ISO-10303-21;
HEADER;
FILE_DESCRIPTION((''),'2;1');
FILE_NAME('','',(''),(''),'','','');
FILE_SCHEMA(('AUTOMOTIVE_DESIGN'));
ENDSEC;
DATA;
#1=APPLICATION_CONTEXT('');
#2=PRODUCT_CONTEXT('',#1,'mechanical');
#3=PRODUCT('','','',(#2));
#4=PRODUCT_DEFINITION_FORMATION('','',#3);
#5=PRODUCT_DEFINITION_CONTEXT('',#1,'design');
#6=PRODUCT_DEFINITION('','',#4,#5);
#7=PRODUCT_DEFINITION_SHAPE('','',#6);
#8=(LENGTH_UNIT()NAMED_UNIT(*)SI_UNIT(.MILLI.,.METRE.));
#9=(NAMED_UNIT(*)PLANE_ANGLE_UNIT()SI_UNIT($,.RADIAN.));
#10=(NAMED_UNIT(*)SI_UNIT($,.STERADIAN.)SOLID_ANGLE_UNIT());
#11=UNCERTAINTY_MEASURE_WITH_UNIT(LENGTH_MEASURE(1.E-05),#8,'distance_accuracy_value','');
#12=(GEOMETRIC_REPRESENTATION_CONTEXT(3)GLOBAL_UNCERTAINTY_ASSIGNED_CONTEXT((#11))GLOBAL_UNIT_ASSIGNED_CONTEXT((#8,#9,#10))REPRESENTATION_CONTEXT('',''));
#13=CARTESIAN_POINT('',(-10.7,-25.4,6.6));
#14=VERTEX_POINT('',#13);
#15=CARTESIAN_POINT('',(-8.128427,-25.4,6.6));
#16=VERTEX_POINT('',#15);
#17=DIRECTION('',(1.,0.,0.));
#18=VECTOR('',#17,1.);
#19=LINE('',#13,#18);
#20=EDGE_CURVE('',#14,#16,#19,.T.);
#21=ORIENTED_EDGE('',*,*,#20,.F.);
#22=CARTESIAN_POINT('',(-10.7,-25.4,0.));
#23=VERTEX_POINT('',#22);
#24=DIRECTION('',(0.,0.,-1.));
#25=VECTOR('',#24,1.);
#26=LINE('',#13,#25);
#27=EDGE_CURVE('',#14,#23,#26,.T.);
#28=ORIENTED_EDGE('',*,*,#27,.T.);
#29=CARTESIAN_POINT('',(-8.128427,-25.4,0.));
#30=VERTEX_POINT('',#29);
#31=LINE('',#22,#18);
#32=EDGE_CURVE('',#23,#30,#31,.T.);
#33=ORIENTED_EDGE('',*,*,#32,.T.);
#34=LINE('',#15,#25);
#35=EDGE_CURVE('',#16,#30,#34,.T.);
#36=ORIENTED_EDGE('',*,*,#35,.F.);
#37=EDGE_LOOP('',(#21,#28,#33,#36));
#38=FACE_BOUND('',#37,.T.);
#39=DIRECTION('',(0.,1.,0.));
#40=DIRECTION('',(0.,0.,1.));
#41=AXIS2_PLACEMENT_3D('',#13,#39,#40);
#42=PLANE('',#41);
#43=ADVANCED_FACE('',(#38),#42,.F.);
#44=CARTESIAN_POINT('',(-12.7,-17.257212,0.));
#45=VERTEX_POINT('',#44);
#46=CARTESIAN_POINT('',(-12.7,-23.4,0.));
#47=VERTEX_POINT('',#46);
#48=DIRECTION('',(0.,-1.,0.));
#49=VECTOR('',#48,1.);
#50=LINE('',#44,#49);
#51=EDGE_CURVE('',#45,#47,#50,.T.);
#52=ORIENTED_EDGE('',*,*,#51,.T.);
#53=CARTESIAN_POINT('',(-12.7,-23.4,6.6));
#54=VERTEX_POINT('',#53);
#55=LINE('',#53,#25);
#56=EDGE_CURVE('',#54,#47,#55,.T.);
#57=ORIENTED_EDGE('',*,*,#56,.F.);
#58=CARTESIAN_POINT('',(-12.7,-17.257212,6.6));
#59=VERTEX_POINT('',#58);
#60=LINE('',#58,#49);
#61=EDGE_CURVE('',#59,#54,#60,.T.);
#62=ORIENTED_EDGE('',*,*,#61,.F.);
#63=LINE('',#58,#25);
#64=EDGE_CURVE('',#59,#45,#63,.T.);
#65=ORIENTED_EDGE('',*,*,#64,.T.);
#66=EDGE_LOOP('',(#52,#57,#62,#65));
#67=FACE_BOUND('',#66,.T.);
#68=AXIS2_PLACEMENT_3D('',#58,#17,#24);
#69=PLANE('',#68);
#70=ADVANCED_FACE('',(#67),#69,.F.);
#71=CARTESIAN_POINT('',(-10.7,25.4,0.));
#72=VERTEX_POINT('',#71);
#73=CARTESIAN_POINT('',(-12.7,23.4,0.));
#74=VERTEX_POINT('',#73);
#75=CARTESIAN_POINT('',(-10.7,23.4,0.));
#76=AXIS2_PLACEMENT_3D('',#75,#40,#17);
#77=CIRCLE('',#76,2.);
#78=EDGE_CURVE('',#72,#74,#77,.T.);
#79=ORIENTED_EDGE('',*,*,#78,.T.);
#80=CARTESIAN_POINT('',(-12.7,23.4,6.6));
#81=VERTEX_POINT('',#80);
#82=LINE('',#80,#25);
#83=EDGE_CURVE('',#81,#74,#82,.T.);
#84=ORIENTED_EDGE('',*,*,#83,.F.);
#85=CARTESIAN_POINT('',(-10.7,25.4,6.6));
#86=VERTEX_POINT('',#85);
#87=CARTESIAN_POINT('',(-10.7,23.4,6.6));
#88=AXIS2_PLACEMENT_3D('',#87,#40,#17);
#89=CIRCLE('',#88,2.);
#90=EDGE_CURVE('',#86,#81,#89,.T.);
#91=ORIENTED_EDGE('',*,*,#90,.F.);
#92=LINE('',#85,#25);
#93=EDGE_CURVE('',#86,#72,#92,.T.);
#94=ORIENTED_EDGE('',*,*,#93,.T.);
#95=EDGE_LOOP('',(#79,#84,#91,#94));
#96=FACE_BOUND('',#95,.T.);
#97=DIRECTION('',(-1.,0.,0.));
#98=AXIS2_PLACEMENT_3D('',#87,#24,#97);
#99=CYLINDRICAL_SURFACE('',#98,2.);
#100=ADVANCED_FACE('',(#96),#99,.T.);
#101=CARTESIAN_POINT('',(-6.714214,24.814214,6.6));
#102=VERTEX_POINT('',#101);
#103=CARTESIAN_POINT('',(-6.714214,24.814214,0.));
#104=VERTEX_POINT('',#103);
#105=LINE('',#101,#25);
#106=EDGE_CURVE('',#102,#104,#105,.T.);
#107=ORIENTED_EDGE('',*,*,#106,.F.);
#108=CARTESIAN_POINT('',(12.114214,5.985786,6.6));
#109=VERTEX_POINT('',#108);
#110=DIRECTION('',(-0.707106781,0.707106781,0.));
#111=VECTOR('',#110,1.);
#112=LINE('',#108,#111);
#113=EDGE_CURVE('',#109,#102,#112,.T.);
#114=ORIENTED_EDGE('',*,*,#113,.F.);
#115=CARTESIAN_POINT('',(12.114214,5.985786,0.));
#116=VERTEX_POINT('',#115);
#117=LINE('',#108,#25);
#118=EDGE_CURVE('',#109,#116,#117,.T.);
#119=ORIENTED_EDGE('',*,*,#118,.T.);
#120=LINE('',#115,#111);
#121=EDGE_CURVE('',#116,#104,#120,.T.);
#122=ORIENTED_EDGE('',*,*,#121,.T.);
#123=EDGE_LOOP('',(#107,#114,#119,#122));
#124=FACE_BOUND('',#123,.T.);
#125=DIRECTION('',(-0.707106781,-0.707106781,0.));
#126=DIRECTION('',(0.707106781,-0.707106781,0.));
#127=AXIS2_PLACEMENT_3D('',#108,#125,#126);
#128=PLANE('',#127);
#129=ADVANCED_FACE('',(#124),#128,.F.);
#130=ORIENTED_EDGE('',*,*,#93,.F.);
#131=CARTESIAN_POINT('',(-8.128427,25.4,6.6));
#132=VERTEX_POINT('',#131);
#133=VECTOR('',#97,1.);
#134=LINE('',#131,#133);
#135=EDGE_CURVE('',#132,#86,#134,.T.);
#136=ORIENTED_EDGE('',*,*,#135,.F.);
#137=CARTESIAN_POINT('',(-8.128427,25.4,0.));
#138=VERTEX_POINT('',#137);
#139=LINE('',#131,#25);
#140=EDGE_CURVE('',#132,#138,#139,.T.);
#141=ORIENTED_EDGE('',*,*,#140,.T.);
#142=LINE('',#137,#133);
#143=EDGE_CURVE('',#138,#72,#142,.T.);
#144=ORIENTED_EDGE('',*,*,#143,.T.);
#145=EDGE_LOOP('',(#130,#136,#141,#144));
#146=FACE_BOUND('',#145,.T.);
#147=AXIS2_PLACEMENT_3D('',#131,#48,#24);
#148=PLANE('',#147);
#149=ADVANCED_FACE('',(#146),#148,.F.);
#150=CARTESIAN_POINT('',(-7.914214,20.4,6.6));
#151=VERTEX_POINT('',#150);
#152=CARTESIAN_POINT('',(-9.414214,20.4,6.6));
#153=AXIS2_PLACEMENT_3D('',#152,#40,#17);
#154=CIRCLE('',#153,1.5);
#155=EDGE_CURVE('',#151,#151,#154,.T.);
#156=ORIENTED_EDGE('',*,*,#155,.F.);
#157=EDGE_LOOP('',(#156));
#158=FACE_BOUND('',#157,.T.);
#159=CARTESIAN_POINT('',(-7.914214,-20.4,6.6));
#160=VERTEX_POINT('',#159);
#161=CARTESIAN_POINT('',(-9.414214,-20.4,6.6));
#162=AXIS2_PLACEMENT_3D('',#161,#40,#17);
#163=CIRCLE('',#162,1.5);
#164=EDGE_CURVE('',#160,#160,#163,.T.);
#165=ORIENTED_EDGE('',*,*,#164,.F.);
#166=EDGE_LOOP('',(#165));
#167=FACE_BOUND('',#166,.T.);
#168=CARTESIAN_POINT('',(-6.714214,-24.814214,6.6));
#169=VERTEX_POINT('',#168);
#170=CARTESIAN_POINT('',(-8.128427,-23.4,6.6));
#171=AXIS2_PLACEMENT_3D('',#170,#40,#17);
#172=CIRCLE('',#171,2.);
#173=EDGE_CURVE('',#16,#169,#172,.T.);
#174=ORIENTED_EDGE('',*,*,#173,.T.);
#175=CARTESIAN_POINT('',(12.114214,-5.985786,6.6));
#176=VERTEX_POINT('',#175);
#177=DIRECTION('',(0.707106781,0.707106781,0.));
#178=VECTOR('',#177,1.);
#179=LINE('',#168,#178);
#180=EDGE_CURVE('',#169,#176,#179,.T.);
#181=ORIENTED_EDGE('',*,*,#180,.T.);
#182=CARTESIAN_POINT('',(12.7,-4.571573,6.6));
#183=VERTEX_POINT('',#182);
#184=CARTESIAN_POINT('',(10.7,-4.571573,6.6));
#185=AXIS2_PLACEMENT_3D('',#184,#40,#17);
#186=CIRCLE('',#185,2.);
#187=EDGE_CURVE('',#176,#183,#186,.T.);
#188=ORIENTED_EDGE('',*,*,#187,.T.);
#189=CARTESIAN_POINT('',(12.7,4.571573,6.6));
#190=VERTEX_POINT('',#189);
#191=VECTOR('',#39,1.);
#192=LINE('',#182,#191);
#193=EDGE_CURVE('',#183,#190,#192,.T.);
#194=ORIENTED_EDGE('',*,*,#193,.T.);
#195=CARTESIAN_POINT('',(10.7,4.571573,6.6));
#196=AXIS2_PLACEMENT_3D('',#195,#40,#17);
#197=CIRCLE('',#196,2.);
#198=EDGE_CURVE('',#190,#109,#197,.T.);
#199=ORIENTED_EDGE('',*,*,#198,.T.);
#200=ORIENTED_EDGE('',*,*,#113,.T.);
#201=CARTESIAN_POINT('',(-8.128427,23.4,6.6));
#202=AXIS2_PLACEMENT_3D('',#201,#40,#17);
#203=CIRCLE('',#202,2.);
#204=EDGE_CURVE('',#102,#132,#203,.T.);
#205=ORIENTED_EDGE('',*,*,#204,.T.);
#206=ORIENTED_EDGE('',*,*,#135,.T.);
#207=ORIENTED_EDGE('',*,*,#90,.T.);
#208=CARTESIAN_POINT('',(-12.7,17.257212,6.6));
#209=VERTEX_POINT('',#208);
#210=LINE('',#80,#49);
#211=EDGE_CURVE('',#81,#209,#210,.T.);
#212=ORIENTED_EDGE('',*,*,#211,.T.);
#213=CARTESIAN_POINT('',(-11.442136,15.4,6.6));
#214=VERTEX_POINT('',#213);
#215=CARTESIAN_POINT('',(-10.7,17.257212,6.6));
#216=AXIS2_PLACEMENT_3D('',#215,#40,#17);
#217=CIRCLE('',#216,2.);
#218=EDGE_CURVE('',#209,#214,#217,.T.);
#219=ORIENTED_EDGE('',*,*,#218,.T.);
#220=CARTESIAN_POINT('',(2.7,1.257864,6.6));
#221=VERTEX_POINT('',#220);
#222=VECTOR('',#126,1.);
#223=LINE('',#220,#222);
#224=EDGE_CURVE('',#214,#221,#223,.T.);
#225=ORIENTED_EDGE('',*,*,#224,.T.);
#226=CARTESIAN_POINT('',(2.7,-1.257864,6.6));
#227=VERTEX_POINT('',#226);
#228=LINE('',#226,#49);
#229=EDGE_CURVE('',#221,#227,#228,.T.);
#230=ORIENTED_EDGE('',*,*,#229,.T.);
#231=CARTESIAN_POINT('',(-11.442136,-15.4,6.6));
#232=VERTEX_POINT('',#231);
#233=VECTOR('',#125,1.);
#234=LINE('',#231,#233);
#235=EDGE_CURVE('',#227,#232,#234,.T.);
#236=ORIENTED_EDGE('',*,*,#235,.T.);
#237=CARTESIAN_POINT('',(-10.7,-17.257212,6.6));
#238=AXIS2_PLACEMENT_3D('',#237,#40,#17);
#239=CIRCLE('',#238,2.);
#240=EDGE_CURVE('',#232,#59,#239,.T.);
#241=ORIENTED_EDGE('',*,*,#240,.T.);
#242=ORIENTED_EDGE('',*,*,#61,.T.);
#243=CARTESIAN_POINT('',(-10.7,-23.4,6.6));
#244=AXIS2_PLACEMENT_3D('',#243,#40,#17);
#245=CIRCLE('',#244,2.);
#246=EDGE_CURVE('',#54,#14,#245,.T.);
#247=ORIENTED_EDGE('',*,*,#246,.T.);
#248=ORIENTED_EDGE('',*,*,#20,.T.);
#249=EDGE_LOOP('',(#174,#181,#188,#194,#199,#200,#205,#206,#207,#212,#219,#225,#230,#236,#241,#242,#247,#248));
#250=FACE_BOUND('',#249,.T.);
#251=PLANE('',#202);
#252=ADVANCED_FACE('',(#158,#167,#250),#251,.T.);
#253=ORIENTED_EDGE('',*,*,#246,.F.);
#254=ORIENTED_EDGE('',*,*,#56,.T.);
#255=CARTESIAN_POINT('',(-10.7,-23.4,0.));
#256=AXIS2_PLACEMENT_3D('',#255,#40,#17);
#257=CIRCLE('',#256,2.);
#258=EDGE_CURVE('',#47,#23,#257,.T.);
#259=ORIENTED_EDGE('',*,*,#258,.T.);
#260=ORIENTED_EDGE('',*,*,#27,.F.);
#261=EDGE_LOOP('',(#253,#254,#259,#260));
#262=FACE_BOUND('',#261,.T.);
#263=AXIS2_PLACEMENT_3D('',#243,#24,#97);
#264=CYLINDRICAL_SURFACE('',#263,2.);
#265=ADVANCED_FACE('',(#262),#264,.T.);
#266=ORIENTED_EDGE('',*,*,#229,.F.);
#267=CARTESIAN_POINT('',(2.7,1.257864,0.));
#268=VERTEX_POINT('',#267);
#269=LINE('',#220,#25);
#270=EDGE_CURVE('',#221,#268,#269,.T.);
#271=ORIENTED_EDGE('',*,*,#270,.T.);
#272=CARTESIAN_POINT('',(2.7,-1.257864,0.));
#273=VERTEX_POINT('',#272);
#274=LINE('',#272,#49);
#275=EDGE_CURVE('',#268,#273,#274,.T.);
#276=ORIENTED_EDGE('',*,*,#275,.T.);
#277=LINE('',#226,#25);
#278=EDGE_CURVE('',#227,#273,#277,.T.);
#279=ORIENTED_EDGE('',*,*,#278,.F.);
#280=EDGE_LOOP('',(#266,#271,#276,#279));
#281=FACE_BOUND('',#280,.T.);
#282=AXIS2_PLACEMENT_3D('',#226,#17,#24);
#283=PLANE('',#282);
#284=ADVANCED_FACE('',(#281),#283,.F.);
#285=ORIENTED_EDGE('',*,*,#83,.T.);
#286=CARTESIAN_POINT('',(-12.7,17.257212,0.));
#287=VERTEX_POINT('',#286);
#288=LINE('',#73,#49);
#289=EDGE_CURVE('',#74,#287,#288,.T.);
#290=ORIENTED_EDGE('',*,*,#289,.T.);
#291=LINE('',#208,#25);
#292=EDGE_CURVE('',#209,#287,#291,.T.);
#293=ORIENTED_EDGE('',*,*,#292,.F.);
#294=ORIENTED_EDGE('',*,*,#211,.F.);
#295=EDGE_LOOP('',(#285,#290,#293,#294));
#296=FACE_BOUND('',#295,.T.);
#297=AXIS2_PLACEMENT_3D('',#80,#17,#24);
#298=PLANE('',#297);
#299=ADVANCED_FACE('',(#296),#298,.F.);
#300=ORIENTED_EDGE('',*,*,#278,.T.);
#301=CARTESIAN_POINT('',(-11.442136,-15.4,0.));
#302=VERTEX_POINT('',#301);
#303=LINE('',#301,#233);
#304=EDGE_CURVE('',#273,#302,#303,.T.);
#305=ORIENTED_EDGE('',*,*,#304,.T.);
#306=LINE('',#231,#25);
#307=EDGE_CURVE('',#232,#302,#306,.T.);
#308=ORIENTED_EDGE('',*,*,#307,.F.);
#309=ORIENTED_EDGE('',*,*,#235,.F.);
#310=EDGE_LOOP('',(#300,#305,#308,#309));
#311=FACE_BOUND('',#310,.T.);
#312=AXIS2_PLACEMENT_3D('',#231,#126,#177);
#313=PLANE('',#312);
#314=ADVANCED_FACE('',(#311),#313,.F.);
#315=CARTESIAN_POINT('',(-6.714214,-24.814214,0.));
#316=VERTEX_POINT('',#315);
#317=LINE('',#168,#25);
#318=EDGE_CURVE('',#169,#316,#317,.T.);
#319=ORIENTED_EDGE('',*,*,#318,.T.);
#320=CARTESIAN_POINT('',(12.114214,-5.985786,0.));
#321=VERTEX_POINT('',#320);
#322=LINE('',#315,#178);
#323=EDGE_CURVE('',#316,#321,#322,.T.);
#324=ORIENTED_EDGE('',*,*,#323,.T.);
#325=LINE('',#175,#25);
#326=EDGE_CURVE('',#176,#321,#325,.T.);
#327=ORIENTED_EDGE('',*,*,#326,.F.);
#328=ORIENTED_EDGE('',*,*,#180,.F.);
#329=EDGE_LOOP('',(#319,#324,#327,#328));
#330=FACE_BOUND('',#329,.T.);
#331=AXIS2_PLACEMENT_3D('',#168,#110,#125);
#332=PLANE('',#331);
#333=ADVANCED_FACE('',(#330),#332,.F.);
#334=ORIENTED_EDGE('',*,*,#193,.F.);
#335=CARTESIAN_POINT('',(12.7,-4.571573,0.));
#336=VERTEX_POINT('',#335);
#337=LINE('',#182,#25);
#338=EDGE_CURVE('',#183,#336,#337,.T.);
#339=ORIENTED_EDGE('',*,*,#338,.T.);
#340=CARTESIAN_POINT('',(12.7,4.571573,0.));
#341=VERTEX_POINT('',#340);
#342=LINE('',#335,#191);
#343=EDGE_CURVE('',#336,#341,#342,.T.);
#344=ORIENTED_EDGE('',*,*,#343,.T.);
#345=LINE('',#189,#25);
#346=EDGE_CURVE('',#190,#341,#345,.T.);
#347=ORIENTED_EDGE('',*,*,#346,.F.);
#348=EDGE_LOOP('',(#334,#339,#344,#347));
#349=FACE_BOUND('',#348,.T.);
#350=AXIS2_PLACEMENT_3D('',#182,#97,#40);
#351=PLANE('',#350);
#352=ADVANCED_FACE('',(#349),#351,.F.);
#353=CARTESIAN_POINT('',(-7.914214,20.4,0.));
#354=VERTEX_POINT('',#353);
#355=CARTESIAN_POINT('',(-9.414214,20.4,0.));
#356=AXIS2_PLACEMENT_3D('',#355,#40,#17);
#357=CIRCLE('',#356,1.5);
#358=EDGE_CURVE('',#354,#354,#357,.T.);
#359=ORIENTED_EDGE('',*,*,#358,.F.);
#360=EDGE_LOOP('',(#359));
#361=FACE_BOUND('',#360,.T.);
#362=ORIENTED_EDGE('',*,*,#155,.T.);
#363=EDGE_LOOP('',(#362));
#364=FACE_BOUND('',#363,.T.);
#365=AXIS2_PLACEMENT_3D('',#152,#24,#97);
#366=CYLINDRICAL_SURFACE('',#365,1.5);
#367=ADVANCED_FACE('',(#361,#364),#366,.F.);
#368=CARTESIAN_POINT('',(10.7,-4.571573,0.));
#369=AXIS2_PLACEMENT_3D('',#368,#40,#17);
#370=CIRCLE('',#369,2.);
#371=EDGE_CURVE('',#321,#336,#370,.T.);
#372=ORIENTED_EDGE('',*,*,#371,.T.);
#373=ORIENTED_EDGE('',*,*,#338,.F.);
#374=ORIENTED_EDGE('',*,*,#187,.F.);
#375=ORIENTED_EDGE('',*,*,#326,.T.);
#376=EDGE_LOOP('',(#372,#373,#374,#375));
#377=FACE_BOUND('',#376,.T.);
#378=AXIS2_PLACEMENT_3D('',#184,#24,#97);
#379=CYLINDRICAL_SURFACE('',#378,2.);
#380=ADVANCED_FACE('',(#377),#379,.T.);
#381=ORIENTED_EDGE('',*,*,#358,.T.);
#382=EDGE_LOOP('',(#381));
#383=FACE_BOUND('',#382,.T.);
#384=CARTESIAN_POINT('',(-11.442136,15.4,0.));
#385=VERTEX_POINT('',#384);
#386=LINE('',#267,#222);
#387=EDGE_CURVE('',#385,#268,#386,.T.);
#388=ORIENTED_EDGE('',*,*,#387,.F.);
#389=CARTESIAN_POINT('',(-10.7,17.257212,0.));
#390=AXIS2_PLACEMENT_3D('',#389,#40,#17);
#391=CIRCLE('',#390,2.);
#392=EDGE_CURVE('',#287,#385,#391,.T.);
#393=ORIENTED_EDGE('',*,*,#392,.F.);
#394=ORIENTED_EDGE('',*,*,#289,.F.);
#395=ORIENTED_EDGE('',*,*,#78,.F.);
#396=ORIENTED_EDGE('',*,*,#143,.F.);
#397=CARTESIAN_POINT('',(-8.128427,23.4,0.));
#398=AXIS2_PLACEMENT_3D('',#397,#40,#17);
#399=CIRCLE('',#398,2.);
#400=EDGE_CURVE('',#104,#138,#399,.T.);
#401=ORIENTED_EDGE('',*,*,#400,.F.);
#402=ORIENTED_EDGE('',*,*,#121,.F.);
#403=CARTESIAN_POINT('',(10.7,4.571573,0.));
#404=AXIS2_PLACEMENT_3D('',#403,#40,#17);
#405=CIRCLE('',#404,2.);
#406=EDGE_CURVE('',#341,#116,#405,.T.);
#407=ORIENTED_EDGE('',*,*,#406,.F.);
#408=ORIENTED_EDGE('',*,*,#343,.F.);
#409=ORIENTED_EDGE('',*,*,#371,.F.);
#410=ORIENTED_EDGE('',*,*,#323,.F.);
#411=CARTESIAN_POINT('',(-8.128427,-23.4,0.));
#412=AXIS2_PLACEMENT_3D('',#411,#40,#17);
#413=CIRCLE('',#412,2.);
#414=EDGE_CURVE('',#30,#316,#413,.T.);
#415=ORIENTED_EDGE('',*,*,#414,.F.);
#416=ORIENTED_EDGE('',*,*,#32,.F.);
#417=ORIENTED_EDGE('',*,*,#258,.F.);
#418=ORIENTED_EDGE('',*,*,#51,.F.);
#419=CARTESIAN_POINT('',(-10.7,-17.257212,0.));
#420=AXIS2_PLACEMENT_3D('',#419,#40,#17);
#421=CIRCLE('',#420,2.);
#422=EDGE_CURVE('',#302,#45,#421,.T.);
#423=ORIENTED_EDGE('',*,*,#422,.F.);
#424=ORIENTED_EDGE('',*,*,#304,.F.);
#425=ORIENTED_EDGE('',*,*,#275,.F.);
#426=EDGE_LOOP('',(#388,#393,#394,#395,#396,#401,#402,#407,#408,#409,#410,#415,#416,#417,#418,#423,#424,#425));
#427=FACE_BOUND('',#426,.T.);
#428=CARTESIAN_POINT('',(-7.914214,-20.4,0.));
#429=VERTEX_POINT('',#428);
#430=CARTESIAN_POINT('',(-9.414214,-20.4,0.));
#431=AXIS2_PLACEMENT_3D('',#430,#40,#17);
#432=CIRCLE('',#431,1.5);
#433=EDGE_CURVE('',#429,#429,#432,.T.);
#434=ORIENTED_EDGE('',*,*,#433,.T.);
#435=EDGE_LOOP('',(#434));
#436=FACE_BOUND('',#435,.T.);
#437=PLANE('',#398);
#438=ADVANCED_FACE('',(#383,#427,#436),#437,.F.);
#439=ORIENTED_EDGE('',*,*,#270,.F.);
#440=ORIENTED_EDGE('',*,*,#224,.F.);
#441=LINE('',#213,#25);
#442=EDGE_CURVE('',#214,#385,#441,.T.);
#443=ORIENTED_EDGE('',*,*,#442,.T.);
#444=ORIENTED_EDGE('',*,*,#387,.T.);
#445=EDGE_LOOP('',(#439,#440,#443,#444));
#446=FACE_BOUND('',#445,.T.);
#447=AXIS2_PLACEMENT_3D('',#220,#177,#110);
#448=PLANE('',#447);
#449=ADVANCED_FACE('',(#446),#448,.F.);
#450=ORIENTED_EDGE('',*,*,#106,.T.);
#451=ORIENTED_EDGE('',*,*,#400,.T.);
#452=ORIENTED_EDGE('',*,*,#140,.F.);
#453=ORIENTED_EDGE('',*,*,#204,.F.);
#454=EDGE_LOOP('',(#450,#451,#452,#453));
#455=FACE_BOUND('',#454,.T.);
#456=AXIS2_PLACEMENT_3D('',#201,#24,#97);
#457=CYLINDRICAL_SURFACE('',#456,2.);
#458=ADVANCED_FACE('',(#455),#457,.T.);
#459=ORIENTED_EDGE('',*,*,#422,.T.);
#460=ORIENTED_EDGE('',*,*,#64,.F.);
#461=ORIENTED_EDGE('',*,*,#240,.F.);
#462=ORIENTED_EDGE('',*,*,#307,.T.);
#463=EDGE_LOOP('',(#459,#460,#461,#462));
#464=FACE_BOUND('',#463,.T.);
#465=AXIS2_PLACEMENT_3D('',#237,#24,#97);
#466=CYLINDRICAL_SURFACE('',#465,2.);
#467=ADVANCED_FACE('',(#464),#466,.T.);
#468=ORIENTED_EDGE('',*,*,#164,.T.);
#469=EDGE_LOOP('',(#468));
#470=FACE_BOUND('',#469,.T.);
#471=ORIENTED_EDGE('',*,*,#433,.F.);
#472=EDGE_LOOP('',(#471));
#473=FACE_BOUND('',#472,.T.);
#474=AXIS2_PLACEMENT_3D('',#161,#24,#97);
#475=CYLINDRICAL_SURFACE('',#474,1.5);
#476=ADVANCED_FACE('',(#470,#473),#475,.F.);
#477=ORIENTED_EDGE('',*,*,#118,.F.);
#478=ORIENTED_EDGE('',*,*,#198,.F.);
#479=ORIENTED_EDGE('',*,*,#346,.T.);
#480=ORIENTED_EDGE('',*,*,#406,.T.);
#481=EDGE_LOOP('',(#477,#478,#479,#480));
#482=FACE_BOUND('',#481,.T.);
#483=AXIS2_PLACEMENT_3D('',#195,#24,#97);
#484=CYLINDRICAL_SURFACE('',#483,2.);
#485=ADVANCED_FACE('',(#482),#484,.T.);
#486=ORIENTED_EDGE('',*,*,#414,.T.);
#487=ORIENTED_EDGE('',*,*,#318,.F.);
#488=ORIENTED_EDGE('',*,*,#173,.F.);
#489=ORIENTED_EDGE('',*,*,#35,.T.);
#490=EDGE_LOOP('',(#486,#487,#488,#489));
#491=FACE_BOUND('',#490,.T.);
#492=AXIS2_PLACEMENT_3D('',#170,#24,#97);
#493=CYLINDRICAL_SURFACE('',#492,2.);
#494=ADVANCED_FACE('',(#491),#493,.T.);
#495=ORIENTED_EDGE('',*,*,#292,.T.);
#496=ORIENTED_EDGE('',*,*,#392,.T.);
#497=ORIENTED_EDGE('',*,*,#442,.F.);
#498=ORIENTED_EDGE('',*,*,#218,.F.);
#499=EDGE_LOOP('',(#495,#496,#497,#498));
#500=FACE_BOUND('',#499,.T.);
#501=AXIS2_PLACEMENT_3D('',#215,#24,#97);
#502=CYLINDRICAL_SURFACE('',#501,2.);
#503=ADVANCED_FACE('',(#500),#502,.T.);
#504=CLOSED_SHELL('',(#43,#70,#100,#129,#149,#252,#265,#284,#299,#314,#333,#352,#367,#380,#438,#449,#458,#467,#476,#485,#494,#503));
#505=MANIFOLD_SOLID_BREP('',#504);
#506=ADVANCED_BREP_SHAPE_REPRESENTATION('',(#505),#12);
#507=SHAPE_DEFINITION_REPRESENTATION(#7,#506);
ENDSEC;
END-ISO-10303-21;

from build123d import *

# Parameters (mm, degrees)
MODEL_R             = 1.5
BOSS_EXTRUDE1_DEPTH = 6.6


with BuildPart() as part:
    # Model → Boss-Extrude1 (new body)
    with BuildSketch(Plane.XY):
        with BuildLine():
            Line((12.114213562, 5.985786438), (-6.714213562, 24.814213562))
            ThreePointArc((-6.714213562, 24.814213562), (-7.36306026, 25.247759065), (-8.128427125, 25.4))
            Line((-8.128427125, 25.4), (-10.7, 25.4))
            ThreePointArc((-10.7, 25.4), (-12.114213562, 24.814213562), (-12.7, 23.4))
            Line((-12.7, 23.4), (-12.7, 17.257211543))
            ThreePointArc((-12.7, 17.257211543), (-12.355939499, 16.135666013), (-11.442135624, 15.4))
            Line((-11.442135624, 15.4), (2.7, 1.257864376))
            Line((2.7, 1.257864376), (2.7, -1.257864376))
            Line((2.7, -1.257864376), (-11.442135624, -15.4))
            ThreePointArc((-11.442135624, -15.4), (-12.355939499, -16.135666013), (-12.7, -17.257211543))
            Line((-12.7, -17.257211543), (-12.7, -23.4))
            ThreePointArc((-12.7, -23.4), (-12.114213562, -24.814213562), (-10.7, -25.4))
            Line((-10.7, -25.4), (-8.128427125, -25.4))
            ThreePointArc((-8.128427125, -25.4), (-7.36306026, -25.247759065), (-6.714213562, -24.814213562))
            Line((-6.714213562, -24.814213562), (12.114213562, -5.985786438))
            ThreePointArc((12.114213562, -5.985786438), (12.547759065, -5.33693974), (12.7, -4.571572875))
            Line((12.7, -4.571572875), (12.7, 4.571572875))
            ThreePointArc((12.7, 4.571572875), (12.547759065, 5.33693974), (12.114213562, 5.985786438))
        make_face()
        with Locations((-9.414213562, 20.4)):
            Circle(MODEL_R, mode=Mode.SUBTRACT)
        with Locations((-9.414213562, -20.4)):
            Circle(MODEL_R, mode=Mode.SUBTRACT)
    extrude(amount=BOSS_EXTRUDE1_DEPTH)


solid = part.part
